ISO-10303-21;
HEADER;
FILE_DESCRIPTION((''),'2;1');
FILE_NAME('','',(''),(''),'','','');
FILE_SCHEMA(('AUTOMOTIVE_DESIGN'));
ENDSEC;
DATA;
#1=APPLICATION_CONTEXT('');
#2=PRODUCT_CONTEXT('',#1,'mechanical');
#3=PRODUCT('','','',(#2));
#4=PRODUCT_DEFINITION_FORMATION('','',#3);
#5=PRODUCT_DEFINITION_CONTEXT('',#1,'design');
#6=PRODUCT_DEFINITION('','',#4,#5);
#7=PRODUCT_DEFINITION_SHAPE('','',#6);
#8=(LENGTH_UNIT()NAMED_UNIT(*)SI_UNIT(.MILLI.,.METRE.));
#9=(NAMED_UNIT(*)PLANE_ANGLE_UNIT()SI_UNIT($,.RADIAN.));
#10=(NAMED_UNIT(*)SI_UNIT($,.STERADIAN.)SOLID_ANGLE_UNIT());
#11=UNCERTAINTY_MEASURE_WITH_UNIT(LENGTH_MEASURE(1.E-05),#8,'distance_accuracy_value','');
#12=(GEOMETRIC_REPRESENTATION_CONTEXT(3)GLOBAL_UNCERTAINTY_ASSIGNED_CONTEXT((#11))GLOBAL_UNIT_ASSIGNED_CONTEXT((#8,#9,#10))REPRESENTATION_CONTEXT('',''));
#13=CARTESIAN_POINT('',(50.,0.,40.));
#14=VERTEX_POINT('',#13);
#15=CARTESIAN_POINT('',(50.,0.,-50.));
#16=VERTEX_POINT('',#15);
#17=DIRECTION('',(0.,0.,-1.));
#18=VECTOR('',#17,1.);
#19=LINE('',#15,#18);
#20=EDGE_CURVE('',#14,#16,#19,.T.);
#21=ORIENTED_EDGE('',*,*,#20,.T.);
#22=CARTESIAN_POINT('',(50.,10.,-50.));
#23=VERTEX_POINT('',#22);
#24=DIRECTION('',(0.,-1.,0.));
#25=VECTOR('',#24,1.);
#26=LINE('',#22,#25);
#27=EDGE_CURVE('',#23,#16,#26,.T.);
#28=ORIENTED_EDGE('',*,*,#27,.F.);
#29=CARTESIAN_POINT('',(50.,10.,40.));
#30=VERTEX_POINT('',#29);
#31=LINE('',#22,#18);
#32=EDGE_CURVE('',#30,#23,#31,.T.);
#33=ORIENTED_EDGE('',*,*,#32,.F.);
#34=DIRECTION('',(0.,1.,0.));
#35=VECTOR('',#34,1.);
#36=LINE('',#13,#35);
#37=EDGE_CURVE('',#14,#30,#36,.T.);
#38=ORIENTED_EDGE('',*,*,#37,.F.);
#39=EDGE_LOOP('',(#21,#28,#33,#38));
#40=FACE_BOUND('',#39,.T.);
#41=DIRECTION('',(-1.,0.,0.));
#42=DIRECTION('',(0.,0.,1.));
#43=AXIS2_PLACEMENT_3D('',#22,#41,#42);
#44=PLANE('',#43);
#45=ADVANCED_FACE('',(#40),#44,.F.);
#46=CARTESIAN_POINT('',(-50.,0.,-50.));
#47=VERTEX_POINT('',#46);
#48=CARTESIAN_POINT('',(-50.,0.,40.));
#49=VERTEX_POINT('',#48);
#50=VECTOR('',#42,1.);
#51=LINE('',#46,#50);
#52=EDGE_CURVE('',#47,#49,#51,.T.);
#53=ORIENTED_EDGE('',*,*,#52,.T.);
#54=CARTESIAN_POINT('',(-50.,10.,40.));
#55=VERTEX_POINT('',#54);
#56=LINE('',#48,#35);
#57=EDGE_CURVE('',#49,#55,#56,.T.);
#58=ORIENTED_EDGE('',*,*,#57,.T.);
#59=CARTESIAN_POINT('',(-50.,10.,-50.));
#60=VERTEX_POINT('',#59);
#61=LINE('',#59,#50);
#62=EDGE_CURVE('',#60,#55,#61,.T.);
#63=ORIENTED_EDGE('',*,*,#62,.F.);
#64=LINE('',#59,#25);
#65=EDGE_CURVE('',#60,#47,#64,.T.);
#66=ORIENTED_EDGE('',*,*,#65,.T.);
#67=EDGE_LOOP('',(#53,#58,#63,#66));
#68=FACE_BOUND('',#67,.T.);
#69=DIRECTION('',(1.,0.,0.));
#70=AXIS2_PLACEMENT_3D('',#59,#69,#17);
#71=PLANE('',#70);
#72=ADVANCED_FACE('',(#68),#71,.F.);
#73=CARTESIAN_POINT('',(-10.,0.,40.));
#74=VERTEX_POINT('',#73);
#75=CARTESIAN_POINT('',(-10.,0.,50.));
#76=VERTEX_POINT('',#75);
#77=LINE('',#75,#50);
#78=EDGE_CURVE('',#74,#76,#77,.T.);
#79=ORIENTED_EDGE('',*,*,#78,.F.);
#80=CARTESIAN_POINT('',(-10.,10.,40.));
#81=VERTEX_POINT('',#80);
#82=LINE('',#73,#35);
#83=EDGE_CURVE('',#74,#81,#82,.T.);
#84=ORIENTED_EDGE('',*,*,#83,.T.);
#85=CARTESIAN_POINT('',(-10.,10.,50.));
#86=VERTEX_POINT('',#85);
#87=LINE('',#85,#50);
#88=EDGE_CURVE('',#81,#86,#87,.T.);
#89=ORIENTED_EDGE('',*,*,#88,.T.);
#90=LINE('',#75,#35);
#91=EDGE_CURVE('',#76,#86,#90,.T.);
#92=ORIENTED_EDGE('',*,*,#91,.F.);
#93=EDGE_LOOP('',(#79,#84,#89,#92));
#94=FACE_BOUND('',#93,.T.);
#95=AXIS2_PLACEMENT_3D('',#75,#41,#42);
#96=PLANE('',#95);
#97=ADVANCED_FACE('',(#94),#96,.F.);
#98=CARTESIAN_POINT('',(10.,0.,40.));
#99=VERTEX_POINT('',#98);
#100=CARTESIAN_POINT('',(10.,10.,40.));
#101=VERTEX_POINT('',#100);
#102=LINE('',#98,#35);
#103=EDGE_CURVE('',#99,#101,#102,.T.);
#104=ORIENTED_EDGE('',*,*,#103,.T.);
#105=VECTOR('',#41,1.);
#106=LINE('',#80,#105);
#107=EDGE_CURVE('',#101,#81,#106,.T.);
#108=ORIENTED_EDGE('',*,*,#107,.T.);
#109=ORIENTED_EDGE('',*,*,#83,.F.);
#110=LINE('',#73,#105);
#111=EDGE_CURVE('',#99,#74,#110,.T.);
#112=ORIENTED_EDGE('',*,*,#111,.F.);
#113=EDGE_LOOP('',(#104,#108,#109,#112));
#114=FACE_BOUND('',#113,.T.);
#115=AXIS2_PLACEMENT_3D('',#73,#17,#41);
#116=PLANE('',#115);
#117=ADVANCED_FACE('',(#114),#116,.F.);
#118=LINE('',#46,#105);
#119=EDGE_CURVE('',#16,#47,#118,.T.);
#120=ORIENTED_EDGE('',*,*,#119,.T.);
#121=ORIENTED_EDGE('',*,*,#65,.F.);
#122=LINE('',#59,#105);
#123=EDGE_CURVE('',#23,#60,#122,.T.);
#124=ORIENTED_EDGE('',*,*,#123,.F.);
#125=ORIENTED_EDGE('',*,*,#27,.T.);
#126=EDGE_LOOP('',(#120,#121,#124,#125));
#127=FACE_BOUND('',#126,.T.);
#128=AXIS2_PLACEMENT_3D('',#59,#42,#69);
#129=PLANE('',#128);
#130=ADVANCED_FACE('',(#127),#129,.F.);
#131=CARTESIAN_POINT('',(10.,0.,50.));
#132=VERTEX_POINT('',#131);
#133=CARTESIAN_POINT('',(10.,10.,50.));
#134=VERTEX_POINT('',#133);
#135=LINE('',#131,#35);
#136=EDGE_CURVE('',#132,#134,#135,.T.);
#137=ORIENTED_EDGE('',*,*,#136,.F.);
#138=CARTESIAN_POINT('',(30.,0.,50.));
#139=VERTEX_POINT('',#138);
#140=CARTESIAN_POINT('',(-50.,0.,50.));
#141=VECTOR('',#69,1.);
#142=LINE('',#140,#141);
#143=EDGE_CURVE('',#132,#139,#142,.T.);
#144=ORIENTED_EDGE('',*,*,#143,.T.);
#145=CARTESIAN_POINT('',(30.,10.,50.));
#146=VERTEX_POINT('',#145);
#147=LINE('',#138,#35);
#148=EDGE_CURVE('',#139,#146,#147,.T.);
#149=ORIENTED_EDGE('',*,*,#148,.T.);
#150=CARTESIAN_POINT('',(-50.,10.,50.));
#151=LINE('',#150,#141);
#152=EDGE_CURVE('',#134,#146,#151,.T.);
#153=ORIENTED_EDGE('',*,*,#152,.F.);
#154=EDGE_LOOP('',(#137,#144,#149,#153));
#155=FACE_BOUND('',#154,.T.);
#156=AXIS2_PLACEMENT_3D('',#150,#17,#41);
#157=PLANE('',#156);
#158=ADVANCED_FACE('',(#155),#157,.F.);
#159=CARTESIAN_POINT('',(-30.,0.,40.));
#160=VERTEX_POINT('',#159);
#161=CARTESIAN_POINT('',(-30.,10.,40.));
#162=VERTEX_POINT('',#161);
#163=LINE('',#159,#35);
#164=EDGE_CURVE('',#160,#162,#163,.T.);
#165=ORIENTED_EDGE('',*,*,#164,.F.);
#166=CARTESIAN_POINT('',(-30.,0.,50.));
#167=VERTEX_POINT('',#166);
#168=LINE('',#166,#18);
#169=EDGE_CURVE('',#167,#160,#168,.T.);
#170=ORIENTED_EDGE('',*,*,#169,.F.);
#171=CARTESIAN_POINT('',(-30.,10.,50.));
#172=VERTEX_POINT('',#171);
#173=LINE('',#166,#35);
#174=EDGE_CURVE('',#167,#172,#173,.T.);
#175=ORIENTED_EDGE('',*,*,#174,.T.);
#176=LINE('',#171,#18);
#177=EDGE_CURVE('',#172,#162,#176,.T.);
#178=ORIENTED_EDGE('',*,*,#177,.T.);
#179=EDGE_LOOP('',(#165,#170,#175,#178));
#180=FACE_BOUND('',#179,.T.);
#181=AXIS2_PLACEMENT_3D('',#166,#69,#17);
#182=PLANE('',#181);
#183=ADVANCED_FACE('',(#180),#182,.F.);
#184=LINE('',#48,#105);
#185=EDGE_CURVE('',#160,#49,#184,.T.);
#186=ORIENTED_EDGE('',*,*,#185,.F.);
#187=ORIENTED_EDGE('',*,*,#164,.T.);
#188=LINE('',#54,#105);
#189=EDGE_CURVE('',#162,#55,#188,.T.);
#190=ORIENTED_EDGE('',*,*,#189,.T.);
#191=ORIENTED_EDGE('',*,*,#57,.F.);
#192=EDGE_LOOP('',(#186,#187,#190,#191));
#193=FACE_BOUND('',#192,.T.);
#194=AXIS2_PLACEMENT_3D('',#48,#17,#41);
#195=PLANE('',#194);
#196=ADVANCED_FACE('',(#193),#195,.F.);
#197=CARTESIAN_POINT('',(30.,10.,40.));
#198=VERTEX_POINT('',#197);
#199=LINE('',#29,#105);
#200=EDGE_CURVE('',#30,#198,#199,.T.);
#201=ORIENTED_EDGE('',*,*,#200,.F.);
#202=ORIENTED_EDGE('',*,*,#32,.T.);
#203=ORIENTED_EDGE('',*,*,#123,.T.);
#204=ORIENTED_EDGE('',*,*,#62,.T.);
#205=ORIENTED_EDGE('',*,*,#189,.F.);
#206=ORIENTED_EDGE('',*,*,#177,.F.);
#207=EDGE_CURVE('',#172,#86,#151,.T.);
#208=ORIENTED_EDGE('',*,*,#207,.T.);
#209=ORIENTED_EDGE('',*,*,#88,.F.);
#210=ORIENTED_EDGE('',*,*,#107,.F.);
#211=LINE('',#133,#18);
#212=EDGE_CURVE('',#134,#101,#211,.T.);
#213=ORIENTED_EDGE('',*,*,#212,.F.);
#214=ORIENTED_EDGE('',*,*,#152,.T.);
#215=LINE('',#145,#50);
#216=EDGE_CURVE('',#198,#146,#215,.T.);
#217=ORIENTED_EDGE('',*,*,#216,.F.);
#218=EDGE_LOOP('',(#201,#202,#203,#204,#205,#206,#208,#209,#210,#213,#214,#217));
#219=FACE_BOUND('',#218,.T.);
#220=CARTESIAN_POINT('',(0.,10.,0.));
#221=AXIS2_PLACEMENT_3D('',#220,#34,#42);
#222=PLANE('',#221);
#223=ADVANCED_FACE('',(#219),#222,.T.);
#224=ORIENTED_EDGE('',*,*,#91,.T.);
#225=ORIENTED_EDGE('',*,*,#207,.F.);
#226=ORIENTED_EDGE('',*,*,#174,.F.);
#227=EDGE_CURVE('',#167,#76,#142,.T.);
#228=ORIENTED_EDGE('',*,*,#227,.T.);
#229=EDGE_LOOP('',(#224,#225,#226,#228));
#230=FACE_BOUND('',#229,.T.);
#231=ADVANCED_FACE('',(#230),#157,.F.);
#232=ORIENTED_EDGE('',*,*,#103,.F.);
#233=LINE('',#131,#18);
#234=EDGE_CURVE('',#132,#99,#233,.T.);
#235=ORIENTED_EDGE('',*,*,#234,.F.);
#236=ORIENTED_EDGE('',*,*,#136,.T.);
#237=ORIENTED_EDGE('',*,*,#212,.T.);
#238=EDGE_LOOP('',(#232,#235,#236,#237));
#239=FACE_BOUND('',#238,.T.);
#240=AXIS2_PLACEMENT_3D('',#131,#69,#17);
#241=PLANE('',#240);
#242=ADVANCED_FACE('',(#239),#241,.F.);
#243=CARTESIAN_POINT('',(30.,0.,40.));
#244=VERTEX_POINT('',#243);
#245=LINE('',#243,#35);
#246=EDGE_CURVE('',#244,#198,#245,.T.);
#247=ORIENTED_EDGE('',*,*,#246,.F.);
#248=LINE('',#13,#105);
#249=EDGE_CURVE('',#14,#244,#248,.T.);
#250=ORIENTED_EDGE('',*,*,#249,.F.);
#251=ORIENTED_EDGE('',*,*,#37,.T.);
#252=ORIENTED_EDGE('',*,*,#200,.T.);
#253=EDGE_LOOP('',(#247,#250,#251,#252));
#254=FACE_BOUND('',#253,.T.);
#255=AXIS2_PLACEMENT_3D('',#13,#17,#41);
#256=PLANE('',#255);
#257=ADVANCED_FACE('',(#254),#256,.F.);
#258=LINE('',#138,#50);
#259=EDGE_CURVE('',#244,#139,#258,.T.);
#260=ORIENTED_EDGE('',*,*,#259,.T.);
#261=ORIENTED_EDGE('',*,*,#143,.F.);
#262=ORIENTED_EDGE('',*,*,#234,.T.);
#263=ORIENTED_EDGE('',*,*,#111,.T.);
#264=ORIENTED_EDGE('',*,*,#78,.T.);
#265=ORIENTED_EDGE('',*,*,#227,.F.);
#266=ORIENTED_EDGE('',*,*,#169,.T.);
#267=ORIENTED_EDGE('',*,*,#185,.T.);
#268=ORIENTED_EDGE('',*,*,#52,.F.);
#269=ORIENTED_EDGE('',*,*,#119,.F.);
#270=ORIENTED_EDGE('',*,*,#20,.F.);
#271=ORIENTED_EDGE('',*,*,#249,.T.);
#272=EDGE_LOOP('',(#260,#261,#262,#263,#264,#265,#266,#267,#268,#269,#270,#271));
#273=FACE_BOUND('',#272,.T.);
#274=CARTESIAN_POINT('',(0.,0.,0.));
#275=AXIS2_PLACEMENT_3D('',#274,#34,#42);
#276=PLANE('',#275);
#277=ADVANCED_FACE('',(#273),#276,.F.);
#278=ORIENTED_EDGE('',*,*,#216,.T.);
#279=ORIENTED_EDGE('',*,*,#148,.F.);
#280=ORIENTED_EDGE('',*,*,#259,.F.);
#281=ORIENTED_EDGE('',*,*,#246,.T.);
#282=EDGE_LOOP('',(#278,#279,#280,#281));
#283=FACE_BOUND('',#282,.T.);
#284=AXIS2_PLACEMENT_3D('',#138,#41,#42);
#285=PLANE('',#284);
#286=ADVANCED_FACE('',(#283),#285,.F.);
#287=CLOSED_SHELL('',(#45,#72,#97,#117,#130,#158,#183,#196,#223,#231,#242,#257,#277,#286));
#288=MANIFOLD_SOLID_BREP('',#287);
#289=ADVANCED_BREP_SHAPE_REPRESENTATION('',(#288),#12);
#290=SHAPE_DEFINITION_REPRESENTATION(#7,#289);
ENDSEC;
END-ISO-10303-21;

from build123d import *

# Parameters (mm, degrees)
SKETCH1_W           = 100
SKETCH1_H           = 100
BOSS_EXTRUDE1_DEPTH = 10
SKETCH2_W           = 20
SKETCH2_H           = 10
CUT_EXTRUDE1_DEPTH  = 10


with BuildPart() as part:
    # Sketch1 → Boss-Extrude1 (new body)
    with BuildSketch(Plane(origin=(0, 0, 0), x_dir=(1, 0, 0), z_dir=(0, 1, 0))):
        Rectangle(SKETCH1_W, SKETCH1_H)
    extrude(amount=BOSS_EXTRUDE1_DEPTH)

    # Sketch2 → Cut-Extrude1 (cut)
    with BuildSketch(Plane(origin=(0, 10, 0), x_dir=(1, 0, 0), z_dir=(0, 1, 0))):
        with Locations((-40, -45)):
            Rectangle(SKETCH2_W, SKETCH2_H)
        with Locations((0, -45)):
            Rectangle(SKETCH2_W, SKETCH2_H)
        with Locations((40, -45)):
            Rectangle(SKETCH2_W, SKETCH2_H)
    extrude(amount=-CUT_EXTRUDE1_DEPTH, mode=Mode.SUBTRACT)


solid = part.part
